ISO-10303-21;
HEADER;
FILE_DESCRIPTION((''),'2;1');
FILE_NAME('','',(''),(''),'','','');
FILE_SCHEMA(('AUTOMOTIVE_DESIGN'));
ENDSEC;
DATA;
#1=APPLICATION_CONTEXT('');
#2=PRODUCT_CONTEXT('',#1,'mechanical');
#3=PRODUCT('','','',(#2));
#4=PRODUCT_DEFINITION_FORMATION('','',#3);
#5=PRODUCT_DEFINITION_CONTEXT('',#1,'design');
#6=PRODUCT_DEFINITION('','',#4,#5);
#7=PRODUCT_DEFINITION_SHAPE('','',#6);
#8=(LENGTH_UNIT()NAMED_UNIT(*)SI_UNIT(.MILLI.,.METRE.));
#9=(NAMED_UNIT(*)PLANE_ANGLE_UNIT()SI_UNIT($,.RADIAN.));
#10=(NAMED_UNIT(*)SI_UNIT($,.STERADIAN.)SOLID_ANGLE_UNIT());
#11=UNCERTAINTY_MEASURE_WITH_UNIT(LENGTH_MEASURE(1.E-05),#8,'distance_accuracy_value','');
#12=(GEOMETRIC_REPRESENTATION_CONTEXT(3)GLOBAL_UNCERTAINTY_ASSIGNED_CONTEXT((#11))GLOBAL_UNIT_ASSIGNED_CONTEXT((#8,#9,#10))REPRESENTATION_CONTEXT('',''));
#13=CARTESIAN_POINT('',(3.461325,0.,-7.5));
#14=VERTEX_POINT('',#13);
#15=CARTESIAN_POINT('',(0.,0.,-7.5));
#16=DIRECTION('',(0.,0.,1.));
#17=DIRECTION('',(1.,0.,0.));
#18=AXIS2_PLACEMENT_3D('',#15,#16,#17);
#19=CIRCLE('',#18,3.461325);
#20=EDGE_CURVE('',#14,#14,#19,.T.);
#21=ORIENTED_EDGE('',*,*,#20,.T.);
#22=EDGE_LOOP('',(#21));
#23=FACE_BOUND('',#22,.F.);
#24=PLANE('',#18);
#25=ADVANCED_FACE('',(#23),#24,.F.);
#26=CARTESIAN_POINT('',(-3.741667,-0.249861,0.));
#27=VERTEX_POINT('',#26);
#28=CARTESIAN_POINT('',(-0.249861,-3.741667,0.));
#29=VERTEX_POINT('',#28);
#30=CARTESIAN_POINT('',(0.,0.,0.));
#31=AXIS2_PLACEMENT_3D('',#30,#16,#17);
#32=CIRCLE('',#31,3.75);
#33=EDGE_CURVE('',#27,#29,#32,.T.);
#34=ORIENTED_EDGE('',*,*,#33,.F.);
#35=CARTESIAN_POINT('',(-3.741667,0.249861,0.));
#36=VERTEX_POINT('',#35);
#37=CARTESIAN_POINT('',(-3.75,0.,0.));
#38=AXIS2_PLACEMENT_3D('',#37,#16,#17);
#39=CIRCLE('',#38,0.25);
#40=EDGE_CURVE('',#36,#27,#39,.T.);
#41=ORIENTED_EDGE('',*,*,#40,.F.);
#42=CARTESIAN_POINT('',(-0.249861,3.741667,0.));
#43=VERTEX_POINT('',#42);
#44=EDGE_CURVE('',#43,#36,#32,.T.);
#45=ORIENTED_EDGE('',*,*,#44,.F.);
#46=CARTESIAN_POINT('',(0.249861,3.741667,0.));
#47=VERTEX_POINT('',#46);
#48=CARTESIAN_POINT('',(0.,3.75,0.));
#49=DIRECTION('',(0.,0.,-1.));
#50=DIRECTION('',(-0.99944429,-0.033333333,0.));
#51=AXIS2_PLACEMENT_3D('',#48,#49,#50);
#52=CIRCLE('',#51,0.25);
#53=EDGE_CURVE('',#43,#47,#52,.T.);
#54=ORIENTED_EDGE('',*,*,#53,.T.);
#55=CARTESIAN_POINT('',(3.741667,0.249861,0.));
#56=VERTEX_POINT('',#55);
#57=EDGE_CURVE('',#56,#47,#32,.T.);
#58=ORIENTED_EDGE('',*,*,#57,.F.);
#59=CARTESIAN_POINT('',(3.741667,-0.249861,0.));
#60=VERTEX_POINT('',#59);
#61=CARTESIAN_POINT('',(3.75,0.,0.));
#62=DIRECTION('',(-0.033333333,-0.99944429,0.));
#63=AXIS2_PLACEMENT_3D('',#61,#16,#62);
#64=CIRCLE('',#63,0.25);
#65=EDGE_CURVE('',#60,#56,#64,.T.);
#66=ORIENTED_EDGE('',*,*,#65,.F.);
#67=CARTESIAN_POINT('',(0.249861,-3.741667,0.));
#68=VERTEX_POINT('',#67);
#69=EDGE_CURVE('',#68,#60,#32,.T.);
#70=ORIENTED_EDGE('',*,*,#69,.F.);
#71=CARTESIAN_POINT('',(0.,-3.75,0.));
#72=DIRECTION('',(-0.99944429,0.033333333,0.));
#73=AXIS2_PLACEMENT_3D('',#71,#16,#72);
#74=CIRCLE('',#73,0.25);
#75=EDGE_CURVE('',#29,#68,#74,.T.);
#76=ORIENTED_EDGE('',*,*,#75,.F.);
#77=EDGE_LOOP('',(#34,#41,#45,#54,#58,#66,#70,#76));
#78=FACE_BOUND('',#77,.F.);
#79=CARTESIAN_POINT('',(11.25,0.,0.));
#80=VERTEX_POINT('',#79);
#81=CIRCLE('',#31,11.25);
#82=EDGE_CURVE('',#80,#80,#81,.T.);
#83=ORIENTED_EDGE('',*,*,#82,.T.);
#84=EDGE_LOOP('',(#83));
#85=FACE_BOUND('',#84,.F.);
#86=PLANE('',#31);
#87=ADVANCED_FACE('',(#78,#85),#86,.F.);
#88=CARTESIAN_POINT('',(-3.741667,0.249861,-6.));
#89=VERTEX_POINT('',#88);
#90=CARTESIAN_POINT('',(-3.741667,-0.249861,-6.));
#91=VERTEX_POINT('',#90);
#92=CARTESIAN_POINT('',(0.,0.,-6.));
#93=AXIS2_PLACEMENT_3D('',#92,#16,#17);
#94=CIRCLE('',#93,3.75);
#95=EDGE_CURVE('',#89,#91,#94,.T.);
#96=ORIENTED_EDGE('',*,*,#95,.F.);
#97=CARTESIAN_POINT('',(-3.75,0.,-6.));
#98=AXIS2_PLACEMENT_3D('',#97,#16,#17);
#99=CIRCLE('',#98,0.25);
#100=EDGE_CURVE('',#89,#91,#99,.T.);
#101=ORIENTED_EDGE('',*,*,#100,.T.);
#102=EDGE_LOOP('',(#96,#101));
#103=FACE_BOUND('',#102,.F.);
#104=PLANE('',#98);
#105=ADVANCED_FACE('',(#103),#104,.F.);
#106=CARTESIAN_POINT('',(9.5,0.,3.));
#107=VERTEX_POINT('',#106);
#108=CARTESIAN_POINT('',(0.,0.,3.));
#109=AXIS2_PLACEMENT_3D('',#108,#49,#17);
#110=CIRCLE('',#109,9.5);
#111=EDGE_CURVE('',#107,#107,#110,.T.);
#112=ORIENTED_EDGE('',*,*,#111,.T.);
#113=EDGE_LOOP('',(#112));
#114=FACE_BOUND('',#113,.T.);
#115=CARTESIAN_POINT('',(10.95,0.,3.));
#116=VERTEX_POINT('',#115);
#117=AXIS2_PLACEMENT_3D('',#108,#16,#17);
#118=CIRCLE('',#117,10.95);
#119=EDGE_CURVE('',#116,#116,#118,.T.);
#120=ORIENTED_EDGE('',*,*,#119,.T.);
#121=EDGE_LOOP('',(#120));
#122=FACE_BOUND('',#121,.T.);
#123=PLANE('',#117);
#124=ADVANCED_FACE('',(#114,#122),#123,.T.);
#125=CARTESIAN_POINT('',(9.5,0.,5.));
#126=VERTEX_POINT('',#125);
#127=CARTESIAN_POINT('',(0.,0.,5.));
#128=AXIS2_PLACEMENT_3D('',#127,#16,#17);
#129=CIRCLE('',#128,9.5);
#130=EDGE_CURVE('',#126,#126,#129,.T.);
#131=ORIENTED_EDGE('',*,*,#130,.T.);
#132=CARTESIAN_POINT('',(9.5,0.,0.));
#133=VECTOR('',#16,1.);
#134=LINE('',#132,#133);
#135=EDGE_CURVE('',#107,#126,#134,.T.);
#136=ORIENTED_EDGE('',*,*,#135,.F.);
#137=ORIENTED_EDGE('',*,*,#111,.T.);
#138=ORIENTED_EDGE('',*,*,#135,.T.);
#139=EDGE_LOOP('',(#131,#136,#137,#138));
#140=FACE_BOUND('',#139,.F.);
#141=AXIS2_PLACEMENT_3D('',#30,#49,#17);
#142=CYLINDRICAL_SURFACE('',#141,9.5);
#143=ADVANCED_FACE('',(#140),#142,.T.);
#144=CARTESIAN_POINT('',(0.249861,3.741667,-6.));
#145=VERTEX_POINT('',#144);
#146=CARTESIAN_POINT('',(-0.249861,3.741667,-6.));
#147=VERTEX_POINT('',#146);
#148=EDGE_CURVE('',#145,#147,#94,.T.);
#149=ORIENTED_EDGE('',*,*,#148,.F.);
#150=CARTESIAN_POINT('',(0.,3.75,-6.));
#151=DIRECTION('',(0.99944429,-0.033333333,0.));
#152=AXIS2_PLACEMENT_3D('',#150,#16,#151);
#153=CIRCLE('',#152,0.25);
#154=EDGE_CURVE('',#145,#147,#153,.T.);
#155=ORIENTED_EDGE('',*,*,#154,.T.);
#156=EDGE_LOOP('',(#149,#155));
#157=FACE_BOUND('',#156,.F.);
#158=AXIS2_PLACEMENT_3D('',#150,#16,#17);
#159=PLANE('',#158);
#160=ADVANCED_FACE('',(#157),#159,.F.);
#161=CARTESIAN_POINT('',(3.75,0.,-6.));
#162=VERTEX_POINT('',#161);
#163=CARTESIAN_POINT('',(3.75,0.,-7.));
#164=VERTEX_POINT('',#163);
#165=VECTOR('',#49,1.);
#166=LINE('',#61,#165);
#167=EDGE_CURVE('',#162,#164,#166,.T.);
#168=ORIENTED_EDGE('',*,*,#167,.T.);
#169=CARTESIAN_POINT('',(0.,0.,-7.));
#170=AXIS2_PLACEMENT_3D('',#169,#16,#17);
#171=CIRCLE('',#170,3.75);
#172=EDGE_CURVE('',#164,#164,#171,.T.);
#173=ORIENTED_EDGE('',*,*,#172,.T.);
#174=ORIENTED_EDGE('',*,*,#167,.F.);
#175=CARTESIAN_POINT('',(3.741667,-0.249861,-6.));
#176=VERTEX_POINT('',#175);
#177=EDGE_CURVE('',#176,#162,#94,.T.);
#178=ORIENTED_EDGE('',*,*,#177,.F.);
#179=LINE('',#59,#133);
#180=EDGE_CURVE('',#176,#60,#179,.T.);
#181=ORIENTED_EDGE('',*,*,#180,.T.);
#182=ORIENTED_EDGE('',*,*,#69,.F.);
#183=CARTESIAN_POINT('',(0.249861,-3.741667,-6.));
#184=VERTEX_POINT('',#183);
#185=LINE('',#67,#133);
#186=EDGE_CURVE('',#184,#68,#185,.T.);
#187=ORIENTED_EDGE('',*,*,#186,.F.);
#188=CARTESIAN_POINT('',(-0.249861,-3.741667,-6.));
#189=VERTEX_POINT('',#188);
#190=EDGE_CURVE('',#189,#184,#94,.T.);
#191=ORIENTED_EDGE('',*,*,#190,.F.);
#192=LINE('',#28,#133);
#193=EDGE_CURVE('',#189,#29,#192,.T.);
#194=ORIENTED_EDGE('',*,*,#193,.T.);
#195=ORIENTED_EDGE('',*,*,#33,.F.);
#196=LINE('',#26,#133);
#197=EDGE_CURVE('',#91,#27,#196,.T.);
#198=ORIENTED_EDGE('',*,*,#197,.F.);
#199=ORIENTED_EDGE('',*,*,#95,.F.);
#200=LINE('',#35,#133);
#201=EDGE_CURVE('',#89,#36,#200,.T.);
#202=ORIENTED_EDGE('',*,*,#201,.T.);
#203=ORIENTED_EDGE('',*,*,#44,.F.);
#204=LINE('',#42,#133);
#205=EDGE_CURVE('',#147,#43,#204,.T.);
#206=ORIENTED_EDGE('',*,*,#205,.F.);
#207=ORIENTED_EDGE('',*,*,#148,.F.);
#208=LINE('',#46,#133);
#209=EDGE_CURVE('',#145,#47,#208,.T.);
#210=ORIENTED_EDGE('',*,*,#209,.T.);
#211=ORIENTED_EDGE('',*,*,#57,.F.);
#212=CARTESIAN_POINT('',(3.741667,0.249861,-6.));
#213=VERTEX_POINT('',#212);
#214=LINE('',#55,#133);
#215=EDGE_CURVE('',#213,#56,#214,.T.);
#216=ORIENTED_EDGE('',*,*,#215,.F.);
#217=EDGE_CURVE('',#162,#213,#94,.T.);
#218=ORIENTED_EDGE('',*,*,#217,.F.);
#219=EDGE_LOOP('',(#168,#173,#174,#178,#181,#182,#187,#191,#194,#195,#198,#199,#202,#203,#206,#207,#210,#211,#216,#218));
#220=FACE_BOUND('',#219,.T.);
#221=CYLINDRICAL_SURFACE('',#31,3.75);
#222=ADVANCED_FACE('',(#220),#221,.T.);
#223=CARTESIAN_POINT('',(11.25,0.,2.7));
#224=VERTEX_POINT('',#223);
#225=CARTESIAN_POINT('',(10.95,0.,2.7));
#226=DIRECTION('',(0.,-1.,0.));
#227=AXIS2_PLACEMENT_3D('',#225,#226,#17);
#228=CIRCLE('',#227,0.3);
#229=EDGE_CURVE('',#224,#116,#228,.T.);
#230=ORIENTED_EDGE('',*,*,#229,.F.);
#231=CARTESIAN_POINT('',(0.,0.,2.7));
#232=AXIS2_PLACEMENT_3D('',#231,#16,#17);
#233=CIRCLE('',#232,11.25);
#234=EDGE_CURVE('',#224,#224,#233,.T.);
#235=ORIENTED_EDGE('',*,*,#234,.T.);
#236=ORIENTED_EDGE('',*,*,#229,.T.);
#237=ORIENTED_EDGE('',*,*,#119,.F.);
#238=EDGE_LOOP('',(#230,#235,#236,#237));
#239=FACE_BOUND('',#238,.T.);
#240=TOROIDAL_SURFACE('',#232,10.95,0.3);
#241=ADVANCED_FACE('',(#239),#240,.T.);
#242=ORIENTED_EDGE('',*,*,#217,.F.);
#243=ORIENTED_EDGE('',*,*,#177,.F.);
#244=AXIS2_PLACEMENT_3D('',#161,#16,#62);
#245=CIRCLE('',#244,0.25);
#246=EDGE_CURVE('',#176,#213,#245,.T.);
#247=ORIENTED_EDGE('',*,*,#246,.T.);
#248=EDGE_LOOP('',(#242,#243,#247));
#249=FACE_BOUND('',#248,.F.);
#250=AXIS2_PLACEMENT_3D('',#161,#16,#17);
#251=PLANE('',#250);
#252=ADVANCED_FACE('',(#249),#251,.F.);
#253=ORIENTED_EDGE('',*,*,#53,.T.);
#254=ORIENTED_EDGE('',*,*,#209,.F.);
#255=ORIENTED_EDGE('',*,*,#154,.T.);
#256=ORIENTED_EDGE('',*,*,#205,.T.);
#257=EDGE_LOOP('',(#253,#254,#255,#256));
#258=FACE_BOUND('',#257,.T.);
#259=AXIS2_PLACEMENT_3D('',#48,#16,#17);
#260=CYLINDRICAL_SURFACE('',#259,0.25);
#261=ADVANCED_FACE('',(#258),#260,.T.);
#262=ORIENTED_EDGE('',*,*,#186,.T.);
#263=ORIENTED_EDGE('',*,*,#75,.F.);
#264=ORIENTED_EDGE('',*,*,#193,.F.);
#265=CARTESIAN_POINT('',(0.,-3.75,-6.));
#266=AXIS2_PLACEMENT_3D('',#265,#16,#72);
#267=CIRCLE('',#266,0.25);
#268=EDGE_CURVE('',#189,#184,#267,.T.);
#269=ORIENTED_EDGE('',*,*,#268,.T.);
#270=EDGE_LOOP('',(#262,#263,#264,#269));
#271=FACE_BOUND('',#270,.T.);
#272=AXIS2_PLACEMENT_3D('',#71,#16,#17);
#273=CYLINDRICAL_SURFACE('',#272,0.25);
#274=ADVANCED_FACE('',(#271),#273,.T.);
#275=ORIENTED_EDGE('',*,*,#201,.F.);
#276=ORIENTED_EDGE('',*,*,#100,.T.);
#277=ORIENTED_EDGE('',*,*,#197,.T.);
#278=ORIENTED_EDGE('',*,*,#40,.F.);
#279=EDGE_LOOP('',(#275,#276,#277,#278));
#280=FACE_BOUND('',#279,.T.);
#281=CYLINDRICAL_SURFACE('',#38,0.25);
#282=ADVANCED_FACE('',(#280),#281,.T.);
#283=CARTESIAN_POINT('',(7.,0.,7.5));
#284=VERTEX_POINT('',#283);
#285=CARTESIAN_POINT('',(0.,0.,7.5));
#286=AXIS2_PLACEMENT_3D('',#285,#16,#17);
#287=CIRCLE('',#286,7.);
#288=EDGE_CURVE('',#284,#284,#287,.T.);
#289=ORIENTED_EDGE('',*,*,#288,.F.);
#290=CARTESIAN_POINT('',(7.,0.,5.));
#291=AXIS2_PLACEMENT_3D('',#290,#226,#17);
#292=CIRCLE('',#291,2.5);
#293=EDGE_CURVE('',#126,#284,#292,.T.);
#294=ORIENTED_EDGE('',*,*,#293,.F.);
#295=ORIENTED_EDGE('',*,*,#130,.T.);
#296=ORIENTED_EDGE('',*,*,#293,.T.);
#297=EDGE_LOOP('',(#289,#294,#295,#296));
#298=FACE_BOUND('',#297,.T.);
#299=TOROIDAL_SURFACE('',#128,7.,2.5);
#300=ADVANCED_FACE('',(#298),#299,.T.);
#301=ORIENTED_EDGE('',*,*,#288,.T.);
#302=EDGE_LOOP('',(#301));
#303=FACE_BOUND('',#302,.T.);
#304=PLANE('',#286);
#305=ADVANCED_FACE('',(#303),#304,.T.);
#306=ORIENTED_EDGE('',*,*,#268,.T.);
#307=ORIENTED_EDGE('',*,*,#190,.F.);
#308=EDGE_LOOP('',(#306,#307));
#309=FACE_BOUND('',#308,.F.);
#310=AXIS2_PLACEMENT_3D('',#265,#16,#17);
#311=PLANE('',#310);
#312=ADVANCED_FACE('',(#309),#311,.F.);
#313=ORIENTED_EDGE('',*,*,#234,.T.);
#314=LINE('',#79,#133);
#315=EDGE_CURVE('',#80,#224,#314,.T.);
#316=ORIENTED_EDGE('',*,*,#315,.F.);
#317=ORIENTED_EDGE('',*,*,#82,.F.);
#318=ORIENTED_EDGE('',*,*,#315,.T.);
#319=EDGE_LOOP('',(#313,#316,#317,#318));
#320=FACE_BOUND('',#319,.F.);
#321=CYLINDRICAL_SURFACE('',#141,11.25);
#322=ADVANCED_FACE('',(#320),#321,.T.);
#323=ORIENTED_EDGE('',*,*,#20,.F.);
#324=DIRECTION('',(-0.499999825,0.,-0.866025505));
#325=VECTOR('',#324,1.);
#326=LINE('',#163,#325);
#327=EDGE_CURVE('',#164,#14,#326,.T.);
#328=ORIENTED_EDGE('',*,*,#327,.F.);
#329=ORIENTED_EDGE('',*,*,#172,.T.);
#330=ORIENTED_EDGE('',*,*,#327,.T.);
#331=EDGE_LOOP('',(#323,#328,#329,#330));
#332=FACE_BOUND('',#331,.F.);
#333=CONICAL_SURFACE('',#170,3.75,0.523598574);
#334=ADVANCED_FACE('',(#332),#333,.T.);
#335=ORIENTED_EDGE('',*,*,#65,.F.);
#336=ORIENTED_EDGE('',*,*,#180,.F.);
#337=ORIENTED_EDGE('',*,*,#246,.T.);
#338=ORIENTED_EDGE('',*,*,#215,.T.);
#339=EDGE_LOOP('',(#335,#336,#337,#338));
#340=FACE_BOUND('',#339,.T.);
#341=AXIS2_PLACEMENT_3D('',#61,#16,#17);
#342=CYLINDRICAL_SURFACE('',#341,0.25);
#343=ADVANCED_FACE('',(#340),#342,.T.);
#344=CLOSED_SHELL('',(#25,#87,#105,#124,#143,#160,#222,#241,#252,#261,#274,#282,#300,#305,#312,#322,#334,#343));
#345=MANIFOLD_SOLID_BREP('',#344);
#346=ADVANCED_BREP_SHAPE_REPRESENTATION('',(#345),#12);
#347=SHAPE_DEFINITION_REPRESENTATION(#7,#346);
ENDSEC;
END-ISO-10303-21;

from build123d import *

# Parameters (mm, degrees)
F0_R     = 11.25
F1_DEPTH = 3
F2_R     = 9.5
F3_DEPTH = 7.5
F4_R     = 3.75
F5_DEPTH = 7.5
F6_R     = 0.25
F7_DEPTH = 6
F8_SIZE2 = 0.288675
F8_SIZE  = 0.5
F9_R     = 0.3
F10_R    = 2.5


with BuildPart() as f1:
    # F0 (on Top) → F1 (new body)
    with BuildSketch(Plane.XY):
        Circle(F0_R)
    extrude(amount=F1_DEPTH)

    # F2 (on Top) → F3 (join)
    with BuildSketch(Plane.XY):
        Circle(F2_R)
    extrude(amount=F3_DEPTH)

    # F4 (on Top) → F5 (join)
    with BuildSketch(Plane.XY):
        Circle(F4_R)
    extrude(amount=-F5_DEPTH)

    # F6 (on Top) → F7 (join)
    with BuildSketch(Plane.XY):
        with Locations((0, 3.75)):
            Circle(F6_R)
        with Locations((3.75, 0)):
            Circle(F6_R)
        with Locations((0, -3.75)):
            Circle(F6_R)
        with Locations((-3.75, 0)):
            Circle(F6_R)
    extrude(amount=-F7_DEPTH)

    # F8
    f8_edges = [f1.edges().sort_by_distance(p)[0] for p in [
        (-3.75, 0, -7.5),
    ]]
    chamfer(f8_edges, length=F8_SIZE, length2=F8_SIZE2)

    # F9
    f9_edges = [f1.edges().sort_by_distance(p)[0] for p in [
        (-11.25, 0, 3),
    ]]
    fillet(f9_edges, radius=F9_R)

    # F10
    f10_edges = [f1.edges().sort_by_distance(p)[0] for p in [
        (-9.5, 0, 7.5),
    ]]
    fillet(f10_edges, radius=F10_R)


solid = f1.part
